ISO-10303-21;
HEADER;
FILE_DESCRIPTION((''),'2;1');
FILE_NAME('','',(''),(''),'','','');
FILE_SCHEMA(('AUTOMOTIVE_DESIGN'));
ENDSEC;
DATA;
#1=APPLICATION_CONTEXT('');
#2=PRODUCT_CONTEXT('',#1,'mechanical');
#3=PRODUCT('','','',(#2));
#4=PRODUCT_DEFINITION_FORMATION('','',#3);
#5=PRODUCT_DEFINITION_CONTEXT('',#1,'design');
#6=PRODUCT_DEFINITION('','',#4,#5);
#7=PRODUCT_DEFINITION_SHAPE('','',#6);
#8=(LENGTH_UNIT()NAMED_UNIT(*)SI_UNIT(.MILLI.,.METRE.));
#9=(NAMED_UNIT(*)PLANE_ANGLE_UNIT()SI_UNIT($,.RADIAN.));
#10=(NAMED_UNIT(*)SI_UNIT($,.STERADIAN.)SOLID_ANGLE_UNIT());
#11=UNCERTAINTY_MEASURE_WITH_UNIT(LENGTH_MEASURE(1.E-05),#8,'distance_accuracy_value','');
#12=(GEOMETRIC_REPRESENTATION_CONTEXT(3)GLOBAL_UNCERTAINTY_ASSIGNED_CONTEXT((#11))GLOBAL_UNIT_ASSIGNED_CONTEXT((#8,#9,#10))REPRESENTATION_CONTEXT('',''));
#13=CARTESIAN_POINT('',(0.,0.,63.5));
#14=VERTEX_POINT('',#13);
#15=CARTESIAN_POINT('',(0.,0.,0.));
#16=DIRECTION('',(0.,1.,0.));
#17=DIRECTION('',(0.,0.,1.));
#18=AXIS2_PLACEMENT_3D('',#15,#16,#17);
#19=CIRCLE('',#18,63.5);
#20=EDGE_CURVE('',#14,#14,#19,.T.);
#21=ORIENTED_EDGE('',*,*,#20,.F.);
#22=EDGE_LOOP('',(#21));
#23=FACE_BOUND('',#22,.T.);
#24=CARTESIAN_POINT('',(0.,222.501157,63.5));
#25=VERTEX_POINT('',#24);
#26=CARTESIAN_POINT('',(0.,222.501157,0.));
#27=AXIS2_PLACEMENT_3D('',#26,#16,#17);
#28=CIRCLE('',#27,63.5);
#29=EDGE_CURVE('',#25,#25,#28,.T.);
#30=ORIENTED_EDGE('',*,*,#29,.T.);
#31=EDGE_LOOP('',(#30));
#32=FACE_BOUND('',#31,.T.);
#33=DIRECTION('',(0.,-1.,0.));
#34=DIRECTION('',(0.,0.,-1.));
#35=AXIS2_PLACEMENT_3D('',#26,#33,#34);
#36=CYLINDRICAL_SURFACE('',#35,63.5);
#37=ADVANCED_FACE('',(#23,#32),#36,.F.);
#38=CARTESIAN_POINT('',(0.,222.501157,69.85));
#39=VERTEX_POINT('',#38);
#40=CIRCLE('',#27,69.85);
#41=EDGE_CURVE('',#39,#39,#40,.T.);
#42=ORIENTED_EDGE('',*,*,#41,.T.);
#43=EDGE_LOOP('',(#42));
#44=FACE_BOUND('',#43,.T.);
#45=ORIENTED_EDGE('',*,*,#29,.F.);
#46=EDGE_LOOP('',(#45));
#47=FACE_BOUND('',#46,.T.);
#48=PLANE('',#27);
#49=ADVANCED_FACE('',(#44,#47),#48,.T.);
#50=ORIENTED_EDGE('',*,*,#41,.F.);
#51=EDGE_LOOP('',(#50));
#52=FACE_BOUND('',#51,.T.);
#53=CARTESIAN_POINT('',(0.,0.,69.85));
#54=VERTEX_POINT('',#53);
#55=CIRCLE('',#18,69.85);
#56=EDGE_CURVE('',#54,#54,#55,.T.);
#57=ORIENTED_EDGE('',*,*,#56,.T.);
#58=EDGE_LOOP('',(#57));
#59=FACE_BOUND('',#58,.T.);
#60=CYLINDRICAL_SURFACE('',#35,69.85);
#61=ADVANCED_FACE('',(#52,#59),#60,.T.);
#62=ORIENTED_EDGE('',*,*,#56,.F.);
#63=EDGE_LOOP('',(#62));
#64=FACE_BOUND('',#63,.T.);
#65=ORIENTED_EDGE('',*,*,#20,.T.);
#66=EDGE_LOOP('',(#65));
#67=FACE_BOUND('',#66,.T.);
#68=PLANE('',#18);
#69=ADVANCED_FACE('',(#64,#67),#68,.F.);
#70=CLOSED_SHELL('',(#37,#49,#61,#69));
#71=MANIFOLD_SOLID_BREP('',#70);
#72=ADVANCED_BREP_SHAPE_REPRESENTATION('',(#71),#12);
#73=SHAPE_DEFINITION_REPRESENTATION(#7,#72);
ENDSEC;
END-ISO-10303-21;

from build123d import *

# Parameters (mm, degrees)
SKETCH1_R           = 69.85
SKETCH1_R_2         = 63.5
BOSS_EXTRUDE1_DEPTH = 222.501157176


with BuildPart() as part:
    # Sketch1 → Boss-Extrude1 (new body)
    with BuildSketch(Plane(origin=(0, 0, 0), x_dir=(1, 0, 0), z_dir=(0, 1, 0))):
        with Locations(Location((0, 0, 0), (0, 0, 270))):
            Circle(SKETCH1_R)
        with Locations(Location((0, 0, 0), (0, 0, 270))):
            Circle(SKETCH1_R_2, mode=Mode.SUBTRACT)
    extrude(amount=BOSS_EXTRUDE1_DEPTH)


solid = part.part
